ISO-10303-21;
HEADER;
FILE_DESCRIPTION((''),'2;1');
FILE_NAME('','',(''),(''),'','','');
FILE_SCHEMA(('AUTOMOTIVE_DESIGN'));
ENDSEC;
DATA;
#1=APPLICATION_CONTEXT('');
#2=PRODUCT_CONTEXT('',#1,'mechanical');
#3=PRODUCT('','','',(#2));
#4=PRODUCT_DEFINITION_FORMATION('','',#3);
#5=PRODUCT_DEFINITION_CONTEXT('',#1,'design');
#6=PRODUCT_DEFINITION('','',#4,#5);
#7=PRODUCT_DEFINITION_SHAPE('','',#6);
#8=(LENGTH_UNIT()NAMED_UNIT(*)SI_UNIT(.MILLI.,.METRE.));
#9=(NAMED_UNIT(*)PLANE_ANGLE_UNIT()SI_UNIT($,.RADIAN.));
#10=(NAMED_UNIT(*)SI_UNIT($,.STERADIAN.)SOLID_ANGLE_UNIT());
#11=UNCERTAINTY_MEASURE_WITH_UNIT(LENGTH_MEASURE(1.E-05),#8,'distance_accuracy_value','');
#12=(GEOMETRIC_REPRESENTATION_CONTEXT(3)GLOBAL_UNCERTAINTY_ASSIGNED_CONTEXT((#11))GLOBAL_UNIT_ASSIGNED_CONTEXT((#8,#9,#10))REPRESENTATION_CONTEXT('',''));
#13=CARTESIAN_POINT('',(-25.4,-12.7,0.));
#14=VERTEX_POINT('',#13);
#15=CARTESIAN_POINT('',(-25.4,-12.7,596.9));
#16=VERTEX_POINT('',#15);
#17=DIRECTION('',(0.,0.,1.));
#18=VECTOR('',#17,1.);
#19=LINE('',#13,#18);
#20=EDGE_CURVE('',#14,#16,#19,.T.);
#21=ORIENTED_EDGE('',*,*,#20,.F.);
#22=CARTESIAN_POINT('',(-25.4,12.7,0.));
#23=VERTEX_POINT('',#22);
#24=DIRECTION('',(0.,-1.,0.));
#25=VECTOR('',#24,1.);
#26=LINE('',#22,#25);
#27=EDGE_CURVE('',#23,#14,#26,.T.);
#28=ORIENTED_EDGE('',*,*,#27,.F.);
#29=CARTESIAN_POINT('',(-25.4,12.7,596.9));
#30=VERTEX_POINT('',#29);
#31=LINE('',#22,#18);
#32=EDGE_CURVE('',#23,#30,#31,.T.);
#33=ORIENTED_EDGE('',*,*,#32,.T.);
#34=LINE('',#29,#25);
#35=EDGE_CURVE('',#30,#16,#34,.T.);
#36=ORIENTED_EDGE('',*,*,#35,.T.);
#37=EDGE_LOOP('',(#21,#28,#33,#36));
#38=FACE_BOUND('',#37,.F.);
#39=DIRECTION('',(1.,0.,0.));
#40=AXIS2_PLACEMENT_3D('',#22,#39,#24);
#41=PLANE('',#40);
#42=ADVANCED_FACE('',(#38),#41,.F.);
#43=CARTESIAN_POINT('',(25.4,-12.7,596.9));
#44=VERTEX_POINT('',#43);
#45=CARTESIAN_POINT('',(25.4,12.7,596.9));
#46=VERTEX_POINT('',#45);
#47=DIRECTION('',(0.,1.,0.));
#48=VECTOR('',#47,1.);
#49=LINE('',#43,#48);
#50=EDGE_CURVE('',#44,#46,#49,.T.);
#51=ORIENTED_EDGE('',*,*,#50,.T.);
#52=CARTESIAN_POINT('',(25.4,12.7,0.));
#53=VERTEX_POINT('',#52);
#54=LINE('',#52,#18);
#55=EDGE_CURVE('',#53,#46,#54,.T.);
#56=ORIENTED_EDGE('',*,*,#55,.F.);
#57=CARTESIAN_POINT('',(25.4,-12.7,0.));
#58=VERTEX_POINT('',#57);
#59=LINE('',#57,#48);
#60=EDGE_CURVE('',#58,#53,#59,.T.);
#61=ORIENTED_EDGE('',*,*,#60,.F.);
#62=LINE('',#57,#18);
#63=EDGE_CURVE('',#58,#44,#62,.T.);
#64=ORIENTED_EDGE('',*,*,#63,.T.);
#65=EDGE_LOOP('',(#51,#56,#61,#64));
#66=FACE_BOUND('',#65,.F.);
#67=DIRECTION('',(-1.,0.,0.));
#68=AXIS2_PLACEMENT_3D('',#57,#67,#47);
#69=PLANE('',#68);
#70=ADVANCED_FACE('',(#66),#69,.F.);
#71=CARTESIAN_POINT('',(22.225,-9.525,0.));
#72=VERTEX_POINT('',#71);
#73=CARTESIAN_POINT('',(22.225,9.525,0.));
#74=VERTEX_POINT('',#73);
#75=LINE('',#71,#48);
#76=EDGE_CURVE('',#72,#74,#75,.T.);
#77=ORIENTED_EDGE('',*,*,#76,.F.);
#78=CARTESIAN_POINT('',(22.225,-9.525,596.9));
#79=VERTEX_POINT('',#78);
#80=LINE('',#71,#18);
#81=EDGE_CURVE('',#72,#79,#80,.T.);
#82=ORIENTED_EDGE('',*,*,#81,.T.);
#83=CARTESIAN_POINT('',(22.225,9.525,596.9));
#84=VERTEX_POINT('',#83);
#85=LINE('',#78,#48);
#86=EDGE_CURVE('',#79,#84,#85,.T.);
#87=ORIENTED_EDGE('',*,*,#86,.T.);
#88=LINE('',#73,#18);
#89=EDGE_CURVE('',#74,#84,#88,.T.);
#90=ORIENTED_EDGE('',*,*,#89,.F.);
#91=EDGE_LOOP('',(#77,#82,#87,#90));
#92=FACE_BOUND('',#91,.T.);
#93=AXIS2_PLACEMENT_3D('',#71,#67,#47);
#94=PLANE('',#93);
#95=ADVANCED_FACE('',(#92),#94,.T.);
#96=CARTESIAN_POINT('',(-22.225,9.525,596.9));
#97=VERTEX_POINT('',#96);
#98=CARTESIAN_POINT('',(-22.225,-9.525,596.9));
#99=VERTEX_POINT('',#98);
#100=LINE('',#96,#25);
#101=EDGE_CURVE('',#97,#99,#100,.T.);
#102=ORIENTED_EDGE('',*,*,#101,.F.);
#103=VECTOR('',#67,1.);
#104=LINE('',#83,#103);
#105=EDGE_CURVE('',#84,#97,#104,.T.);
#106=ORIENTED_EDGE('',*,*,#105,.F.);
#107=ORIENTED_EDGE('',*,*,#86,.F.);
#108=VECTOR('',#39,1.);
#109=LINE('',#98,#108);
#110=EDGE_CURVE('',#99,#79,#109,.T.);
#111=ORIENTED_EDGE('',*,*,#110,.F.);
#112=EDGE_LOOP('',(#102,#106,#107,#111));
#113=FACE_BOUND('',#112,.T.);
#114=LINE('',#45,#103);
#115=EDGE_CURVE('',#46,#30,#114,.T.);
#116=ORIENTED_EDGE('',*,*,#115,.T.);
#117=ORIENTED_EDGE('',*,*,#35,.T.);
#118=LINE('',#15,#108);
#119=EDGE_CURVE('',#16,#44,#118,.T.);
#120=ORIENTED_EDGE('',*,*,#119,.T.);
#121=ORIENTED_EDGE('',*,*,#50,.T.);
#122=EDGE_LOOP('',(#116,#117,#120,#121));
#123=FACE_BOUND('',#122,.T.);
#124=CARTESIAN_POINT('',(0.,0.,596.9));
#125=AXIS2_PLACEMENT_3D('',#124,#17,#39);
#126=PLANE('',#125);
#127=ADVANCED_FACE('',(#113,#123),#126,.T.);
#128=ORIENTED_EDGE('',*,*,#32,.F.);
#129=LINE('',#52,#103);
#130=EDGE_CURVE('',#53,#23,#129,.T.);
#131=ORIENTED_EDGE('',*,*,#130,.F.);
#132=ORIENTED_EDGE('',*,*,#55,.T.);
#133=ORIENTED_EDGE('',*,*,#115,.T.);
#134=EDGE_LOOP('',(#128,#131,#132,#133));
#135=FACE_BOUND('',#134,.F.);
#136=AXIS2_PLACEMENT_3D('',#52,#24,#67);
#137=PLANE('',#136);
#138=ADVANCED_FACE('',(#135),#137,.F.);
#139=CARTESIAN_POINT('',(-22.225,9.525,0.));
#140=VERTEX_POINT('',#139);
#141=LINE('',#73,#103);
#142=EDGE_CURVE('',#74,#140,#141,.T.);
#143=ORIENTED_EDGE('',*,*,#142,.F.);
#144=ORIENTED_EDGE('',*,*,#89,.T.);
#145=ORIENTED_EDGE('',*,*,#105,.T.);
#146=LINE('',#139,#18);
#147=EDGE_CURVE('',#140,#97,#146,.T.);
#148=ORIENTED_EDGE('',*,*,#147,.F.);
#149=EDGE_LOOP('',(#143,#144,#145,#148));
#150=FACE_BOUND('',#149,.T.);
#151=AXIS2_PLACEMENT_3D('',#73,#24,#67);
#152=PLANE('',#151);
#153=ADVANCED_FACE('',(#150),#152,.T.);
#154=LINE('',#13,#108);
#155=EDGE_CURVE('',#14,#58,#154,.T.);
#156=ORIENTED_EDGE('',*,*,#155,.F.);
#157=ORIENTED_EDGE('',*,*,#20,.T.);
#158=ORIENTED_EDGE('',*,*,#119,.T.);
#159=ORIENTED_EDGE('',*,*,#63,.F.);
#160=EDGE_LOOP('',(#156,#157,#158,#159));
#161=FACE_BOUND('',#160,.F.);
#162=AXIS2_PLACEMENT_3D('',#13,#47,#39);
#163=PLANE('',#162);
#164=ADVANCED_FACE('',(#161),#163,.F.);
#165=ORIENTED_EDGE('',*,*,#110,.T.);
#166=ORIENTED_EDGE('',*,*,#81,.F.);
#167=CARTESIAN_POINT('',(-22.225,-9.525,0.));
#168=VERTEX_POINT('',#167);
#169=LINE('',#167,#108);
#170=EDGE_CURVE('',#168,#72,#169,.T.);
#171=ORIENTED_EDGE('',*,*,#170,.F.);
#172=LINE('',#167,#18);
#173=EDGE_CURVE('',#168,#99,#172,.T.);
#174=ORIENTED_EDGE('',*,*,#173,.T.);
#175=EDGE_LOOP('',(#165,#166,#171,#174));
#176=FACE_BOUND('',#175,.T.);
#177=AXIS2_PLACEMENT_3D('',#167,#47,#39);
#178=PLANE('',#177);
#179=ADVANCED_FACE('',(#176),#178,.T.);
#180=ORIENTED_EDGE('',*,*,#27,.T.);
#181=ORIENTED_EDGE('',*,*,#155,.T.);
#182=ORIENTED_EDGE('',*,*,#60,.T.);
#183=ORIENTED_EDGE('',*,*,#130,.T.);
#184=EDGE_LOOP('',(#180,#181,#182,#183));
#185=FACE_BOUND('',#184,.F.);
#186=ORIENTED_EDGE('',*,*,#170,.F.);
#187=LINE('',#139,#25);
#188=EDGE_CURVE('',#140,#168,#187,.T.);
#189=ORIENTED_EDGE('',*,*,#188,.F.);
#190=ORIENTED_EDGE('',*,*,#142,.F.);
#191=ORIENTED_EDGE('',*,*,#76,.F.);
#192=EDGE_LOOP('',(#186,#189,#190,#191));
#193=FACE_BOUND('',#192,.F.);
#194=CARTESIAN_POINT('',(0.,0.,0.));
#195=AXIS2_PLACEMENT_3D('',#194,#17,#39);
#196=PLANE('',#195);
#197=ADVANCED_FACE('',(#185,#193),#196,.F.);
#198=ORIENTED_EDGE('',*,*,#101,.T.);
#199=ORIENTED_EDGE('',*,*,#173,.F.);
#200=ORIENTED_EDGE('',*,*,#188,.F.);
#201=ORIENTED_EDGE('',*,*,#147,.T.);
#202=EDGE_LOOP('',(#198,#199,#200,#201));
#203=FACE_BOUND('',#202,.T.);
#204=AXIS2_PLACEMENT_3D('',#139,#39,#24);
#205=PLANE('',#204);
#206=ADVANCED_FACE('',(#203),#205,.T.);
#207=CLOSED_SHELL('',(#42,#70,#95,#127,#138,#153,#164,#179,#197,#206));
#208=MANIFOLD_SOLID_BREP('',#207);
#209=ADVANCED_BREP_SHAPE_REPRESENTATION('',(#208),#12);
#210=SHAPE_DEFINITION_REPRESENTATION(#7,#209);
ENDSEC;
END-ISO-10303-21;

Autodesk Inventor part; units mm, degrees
ref_plane "YZ Plane" through (0, 0, 0) normal (1, 0, 0) x (0, 1, 0)
ref_plane "Start Plane" through (0, 0, 0) normal (0, 0, 1) x (1, 0, 0)
ref_plane "End Plane" through (0, 0, 596.9) normal (0, 0, 1) x (1, 0, 0)
sketch "Sketch" plane through (0, 0, 0) normal (0, 0, 1) x (1, 0, 0)
  line L0 (-25.4, -12.7) -> (25.4, -12.7)
  line L1 (25.4, -12.7) -> (25.4, 12.7)
  line L2 (25.4, 12.7) -> (-25.4, 12.7)
  line L3 (-25.4, 12.7) -> (-25.4, -12.7)
  line L4 (-25.4, -12.7) -> (25.4, 12.7) construction
  line L5 (25.4, -12.7) -> (-25.4, 12.7) construction
  line L6 (-22.225, -9.525) -> (22.225, -9.525)
  line L7 (22.225, -9.525) -> (22.225, 9.525)
  line L8 (22.225, 9.525) -> (-22.225, 9.525)
  line L9 (-22.225, 9.525) -> (-22.225, -9.525)
  line L10 (-22.225, -9.525) -> (22.225, 9.525) construction
  line L11 (22.225, -9.525) -> (-22.225, 9.525) construction
  point P0 (0, 0)
  point P1 (0, 0)
  dimension "d0" = 50.8
  dimension "d1" = 25.4
  dimension "d2" = 3.175
  dimension "d3" = 3.175
extrude "Body" add sketch "Sketch" along normal up to surface (596.9 mm away) from surface at 0
sketch "Sketch4" plane through (0, 0, 0) normal (0, 0, 1) x (1, 0, 0)
  line L0 (0, 0) -> (10, 0)
ref_plane "Work Plane4" through (0, 0, 0) normal (0, -1, 0) x (1, 0, 0)
sketch "Sketch5" plane through (0, 0, 0) normal (0, -1, 0) x (1, 0, 0)
  line L0 (-2, 0) -> (12, 0)
  line L1 (-2, 596.9) -> (12, 596.9)
  dimension "d11" = 596.9
equation "\"G_OFFSET_START\" = 0"
equation "\"G_OFFSET_END\" = 0"
equation "\"d7\" = length + G_OFFSET_END"
equation "\"G_L\" = d11"
equation "\"length\" = 596.9"
properties part number "2x1inTubing"
